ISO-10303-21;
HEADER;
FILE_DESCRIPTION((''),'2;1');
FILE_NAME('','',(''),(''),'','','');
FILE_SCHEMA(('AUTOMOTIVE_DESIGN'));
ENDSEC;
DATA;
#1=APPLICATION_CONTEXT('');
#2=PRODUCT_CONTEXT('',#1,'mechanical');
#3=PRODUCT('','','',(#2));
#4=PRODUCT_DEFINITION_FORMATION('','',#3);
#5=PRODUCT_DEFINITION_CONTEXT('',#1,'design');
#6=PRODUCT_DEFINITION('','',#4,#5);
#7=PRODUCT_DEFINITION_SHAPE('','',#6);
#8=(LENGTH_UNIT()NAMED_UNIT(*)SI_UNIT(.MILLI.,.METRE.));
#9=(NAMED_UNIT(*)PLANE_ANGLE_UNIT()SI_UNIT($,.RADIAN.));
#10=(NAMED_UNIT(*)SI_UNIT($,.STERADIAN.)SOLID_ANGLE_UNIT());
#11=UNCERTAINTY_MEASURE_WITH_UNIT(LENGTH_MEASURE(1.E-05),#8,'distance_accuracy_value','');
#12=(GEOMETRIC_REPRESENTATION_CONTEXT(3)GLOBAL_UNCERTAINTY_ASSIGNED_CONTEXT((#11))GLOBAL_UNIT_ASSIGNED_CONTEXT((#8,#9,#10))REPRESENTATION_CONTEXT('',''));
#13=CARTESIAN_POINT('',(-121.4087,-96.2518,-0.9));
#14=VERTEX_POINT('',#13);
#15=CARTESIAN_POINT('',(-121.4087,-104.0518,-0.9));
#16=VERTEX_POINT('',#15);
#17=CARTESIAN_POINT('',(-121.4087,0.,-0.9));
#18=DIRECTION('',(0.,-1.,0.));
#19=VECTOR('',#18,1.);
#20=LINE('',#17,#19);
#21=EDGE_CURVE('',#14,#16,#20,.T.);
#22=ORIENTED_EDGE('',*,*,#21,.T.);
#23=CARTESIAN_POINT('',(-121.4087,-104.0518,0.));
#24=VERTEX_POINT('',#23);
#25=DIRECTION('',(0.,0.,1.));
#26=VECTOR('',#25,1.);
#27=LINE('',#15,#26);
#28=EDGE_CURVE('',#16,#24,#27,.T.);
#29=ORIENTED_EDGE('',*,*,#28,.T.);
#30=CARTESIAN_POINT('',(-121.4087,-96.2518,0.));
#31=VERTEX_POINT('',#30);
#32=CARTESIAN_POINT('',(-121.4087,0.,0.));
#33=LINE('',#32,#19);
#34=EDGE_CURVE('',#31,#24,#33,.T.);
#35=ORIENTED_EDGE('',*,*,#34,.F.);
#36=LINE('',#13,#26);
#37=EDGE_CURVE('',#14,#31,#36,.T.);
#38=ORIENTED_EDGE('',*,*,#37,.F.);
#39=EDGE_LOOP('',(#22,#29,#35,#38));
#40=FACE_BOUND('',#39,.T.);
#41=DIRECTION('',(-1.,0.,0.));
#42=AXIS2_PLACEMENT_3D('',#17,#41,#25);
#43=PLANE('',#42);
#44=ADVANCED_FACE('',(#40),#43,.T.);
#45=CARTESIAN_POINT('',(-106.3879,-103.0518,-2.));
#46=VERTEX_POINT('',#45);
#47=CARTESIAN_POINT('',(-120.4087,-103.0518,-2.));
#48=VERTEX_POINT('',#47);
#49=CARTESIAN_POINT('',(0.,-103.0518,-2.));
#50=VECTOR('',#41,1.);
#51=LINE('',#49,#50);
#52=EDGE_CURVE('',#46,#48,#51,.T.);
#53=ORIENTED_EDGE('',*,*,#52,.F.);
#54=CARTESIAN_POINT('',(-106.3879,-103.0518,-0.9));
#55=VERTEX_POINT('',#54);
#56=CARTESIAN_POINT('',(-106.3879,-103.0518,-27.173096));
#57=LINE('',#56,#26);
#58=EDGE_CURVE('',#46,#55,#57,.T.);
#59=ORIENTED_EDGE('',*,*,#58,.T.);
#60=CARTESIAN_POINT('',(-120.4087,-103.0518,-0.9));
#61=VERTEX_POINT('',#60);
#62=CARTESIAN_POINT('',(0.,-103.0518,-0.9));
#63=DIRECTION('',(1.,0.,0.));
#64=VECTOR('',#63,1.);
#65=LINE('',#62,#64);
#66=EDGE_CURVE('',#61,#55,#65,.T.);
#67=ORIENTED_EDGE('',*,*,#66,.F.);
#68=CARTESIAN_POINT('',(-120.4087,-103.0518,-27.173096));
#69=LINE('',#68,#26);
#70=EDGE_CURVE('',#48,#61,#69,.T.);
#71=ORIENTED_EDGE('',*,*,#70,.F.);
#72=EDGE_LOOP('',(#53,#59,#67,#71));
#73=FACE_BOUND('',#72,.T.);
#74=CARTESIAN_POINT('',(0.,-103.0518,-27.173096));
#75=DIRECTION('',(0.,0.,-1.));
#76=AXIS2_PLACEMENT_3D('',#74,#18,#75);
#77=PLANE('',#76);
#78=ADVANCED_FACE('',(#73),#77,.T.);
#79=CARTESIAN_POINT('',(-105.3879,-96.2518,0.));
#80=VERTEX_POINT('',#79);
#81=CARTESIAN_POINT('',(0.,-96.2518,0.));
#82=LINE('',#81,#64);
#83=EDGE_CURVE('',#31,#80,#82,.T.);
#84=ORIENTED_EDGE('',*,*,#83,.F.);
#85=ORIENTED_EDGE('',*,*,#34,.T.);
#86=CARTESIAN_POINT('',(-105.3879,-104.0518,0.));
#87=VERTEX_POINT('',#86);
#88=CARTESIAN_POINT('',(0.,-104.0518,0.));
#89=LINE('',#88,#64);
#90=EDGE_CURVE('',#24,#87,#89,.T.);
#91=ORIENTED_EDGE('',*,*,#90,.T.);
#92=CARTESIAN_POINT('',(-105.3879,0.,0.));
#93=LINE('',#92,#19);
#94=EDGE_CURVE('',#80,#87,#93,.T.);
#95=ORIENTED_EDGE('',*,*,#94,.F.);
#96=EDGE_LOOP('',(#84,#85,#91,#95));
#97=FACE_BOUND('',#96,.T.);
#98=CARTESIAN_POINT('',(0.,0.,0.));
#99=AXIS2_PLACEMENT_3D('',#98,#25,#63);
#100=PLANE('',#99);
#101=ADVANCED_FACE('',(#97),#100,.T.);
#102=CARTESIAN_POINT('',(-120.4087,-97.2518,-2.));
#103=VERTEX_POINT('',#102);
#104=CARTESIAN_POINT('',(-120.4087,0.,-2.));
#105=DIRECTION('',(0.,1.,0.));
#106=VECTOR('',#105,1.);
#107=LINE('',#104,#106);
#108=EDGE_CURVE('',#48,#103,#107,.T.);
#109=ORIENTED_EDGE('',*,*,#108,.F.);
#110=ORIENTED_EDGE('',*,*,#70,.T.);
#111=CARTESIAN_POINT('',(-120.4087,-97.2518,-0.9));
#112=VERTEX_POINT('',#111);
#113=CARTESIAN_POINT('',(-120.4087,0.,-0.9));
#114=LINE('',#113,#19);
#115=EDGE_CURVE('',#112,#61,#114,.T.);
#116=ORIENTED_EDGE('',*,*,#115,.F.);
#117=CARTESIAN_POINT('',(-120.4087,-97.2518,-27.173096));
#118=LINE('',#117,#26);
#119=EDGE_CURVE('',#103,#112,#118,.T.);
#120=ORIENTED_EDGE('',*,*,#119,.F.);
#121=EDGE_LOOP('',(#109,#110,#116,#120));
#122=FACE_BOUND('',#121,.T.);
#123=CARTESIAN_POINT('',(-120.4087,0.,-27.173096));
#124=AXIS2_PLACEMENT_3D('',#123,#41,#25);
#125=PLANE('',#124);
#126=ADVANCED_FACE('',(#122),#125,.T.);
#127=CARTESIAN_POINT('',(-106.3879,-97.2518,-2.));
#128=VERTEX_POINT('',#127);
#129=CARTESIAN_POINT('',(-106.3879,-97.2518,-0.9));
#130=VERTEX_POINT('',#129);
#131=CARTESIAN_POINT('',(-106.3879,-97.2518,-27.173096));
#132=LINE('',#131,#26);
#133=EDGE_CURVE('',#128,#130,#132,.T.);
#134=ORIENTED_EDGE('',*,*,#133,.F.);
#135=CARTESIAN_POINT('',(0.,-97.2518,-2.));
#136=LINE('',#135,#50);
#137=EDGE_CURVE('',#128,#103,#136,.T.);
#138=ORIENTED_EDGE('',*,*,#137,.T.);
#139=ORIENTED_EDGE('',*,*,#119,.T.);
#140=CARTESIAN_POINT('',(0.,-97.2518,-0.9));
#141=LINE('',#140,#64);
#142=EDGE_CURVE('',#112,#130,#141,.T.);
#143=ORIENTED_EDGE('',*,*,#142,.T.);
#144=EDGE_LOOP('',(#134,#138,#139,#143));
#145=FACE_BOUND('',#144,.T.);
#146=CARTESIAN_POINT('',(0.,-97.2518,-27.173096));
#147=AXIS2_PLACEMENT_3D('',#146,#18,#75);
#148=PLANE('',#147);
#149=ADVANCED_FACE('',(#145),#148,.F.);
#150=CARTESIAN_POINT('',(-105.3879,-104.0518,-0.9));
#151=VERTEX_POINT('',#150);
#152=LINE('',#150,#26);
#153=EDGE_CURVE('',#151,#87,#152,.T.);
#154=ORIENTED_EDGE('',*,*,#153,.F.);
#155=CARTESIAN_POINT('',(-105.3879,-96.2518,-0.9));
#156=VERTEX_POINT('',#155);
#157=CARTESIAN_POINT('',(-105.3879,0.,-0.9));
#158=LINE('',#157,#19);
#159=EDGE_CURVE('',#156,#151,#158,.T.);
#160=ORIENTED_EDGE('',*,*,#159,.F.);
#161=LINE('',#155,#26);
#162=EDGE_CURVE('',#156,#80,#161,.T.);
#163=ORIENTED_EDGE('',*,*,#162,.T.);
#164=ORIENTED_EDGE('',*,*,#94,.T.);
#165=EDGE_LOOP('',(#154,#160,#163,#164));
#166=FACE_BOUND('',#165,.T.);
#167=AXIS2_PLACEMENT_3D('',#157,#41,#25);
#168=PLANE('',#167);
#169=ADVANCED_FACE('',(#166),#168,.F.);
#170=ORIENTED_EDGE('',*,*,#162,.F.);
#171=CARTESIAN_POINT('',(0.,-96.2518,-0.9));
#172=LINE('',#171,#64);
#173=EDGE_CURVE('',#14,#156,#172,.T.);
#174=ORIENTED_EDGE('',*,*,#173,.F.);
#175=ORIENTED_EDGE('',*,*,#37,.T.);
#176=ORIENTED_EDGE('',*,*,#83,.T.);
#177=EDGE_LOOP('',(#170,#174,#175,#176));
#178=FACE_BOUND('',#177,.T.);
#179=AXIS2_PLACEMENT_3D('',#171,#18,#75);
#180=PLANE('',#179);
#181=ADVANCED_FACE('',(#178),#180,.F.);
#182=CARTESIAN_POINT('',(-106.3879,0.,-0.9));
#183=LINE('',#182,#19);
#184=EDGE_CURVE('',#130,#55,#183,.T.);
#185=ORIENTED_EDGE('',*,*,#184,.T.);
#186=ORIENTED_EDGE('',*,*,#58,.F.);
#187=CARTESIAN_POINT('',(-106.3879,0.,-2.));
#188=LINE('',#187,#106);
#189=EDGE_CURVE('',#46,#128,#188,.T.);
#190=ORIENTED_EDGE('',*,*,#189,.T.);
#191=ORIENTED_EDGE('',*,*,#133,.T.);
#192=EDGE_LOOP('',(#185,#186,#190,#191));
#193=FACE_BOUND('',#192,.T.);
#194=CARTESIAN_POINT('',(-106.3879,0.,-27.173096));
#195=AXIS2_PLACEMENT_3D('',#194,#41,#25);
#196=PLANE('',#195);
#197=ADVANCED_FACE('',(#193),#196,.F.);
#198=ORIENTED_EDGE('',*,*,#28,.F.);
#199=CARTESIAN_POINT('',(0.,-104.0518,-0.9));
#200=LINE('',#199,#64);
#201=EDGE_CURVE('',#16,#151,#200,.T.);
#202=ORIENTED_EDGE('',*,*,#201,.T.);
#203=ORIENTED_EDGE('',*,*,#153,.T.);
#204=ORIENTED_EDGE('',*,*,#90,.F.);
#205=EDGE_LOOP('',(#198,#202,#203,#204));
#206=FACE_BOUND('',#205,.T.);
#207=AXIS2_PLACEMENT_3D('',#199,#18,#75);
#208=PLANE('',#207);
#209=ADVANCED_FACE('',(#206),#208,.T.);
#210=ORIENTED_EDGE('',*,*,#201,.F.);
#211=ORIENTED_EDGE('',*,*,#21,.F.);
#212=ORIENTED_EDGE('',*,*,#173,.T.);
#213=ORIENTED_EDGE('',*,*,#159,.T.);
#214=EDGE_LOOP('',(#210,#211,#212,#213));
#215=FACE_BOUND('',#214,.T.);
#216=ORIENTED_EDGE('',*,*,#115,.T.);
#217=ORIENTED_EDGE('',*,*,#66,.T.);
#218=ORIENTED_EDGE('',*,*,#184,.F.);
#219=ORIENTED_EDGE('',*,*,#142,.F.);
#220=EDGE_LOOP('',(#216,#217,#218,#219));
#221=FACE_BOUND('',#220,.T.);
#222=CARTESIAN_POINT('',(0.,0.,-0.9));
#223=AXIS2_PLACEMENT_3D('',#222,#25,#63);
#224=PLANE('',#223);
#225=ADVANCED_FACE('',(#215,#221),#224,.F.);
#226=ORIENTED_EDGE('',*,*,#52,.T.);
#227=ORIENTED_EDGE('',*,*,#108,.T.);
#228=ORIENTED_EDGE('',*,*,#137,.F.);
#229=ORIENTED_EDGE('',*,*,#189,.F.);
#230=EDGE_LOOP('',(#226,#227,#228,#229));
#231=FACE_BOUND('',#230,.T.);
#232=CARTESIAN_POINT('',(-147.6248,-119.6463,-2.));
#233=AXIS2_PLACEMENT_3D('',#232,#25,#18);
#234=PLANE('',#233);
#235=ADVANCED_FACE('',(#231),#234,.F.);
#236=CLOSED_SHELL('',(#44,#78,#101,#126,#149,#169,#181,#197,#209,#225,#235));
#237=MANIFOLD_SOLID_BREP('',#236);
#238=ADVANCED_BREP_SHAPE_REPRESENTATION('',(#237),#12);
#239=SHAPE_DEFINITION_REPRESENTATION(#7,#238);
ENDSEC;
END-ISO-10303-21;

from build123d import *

# Parameters (mm, degrees)
SKETCH1_W           = 16.0208
SKETCH1_H           = 7.8
SKETCH1_W_2         = 14.0208
SKETCH1_H_2         = 5.8
BOSS_EXTRUDE1_DEPTH = 0.9
BOSS_EXTRUDE2_START = -0.9
SKETCH1_4_W         = 14.0208
SKETCH1_4_H         = 5.8
BOSS_EXTRUDE2_DEPTH = 1.1


with BuildPart() as part:
    # Sketch1 → Boss-Extrude1 (new body)
    # profile 1 of 2: a face of its own
    with BuildSketch(Plane.XY):
        with Locations((-113.3983, -100.1518)):
            Rectangle(SKETCH1_W, SKETCH1_H)
        with Locations((-113.3983, -100.1518)):
            Rectangle(SKETCH1_W_2, SKETCH1_H_2, mode=Mode.SUBTRACT)
    # profile 2 of 2: a face of its own
    with BuildSketch(Plane.XY):
        with Locations((-113.3983, -100.1518)):
            Rectangle(SKETCH1_W_2, SKETCH1_H_2)
    extrude(amount=-BOSS_EXTRUDE1_DEPTH)

    # Sketch1<4> → Boss-Extrude2 (add)
    with BuildSketch(Plane.XY.offset(BOSS_EXTRUDE2_START)):
        with Locations((-113.3983, -100.1518)):
            Rectangle(SKETCH1_4_W, SKETCH1_4_H)
    extrude(amount=-BOSS_EXTRUDE2_DEPTH)


solid = part.part
